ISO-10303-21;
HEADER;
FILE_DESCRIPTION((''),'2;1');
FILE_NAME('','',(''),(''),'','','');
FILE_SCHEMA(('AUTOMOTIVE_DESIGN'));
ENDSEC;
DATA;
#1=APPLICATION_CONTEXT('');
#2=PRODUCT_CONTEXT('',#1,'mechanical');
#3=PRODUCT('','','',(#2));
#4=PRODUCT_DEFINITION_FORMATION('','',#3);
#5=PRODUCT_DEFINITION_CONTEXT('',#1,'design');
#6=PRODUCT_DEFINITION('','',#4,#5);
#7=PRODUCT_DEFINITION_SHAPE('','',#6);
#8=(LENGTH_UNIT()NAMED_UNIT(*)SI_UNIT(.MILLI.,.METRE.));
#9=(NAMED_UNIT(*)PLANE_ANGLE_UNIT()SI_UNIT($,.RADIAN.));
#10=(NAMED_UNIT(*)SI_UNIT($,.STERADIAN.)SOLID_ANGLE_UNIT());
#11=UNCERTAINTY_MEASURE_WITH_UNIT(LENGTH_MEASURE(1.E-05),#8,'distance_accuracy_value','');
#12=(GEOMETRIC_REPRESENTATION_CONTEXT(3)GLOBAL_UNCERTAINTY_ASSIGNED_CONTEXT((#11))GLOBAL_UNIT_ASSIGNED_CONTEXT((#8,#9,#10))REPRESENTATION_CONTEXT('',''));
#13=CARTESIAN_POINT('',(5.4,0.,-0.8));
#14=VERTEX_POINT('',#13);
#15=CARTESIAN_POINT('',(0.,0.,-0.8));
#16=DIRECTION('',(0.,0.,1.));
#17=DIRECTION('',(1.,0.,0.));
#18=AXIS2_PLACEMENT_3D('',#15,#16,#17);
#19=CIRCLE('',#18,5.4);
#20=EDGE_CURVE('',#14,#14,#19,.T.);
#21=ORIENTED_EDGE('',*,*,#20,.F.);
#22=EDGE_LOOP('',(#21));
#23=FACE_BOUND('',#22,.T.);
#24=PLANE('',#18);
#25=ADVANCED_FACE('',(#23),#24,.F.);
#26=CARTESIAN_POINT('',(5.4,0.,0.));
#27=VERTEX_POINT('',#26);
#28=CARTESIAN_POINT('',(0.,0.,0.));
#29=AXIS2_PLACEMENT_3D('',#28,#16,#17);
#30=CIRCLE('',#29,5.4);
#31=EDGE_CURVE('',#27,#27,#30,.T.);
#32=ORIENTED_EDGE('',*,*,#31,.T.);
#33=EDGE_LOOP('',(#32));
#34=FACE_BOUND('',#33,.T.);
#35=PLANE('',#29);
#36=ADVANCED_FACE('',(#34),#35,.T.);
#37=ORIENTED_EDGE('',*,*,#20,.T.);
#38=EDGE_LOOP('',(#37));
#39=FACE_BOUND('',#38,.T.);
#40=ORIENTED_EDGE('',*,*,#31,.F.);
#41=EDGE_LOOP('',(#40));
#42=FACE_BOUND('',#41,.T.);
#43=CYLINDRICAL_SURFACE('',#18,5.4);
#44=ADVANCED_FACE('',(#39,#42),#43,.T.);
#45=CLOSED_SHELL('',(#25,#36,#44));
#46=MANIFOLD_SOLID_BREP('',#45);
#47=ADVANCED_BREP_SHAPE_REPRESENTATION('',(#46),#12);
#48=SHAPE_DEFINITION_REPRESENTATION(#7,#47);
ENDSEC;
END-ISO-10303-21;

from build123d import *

# Parameters (mm, degrees)
SKETCH1_R           = 5.4
BOSS_EXTRUDE1_DEPTH = 0.8


with BuildPart() as part:
    # Sketch1 → Boss-Extrude1 (new body)
    with BuildSketch(Plane.XY):
        Circle(SKETCH1_R)
    extrude(amount=-BOSS_EXTRUDE1_DEPTH)


solid = part.part
